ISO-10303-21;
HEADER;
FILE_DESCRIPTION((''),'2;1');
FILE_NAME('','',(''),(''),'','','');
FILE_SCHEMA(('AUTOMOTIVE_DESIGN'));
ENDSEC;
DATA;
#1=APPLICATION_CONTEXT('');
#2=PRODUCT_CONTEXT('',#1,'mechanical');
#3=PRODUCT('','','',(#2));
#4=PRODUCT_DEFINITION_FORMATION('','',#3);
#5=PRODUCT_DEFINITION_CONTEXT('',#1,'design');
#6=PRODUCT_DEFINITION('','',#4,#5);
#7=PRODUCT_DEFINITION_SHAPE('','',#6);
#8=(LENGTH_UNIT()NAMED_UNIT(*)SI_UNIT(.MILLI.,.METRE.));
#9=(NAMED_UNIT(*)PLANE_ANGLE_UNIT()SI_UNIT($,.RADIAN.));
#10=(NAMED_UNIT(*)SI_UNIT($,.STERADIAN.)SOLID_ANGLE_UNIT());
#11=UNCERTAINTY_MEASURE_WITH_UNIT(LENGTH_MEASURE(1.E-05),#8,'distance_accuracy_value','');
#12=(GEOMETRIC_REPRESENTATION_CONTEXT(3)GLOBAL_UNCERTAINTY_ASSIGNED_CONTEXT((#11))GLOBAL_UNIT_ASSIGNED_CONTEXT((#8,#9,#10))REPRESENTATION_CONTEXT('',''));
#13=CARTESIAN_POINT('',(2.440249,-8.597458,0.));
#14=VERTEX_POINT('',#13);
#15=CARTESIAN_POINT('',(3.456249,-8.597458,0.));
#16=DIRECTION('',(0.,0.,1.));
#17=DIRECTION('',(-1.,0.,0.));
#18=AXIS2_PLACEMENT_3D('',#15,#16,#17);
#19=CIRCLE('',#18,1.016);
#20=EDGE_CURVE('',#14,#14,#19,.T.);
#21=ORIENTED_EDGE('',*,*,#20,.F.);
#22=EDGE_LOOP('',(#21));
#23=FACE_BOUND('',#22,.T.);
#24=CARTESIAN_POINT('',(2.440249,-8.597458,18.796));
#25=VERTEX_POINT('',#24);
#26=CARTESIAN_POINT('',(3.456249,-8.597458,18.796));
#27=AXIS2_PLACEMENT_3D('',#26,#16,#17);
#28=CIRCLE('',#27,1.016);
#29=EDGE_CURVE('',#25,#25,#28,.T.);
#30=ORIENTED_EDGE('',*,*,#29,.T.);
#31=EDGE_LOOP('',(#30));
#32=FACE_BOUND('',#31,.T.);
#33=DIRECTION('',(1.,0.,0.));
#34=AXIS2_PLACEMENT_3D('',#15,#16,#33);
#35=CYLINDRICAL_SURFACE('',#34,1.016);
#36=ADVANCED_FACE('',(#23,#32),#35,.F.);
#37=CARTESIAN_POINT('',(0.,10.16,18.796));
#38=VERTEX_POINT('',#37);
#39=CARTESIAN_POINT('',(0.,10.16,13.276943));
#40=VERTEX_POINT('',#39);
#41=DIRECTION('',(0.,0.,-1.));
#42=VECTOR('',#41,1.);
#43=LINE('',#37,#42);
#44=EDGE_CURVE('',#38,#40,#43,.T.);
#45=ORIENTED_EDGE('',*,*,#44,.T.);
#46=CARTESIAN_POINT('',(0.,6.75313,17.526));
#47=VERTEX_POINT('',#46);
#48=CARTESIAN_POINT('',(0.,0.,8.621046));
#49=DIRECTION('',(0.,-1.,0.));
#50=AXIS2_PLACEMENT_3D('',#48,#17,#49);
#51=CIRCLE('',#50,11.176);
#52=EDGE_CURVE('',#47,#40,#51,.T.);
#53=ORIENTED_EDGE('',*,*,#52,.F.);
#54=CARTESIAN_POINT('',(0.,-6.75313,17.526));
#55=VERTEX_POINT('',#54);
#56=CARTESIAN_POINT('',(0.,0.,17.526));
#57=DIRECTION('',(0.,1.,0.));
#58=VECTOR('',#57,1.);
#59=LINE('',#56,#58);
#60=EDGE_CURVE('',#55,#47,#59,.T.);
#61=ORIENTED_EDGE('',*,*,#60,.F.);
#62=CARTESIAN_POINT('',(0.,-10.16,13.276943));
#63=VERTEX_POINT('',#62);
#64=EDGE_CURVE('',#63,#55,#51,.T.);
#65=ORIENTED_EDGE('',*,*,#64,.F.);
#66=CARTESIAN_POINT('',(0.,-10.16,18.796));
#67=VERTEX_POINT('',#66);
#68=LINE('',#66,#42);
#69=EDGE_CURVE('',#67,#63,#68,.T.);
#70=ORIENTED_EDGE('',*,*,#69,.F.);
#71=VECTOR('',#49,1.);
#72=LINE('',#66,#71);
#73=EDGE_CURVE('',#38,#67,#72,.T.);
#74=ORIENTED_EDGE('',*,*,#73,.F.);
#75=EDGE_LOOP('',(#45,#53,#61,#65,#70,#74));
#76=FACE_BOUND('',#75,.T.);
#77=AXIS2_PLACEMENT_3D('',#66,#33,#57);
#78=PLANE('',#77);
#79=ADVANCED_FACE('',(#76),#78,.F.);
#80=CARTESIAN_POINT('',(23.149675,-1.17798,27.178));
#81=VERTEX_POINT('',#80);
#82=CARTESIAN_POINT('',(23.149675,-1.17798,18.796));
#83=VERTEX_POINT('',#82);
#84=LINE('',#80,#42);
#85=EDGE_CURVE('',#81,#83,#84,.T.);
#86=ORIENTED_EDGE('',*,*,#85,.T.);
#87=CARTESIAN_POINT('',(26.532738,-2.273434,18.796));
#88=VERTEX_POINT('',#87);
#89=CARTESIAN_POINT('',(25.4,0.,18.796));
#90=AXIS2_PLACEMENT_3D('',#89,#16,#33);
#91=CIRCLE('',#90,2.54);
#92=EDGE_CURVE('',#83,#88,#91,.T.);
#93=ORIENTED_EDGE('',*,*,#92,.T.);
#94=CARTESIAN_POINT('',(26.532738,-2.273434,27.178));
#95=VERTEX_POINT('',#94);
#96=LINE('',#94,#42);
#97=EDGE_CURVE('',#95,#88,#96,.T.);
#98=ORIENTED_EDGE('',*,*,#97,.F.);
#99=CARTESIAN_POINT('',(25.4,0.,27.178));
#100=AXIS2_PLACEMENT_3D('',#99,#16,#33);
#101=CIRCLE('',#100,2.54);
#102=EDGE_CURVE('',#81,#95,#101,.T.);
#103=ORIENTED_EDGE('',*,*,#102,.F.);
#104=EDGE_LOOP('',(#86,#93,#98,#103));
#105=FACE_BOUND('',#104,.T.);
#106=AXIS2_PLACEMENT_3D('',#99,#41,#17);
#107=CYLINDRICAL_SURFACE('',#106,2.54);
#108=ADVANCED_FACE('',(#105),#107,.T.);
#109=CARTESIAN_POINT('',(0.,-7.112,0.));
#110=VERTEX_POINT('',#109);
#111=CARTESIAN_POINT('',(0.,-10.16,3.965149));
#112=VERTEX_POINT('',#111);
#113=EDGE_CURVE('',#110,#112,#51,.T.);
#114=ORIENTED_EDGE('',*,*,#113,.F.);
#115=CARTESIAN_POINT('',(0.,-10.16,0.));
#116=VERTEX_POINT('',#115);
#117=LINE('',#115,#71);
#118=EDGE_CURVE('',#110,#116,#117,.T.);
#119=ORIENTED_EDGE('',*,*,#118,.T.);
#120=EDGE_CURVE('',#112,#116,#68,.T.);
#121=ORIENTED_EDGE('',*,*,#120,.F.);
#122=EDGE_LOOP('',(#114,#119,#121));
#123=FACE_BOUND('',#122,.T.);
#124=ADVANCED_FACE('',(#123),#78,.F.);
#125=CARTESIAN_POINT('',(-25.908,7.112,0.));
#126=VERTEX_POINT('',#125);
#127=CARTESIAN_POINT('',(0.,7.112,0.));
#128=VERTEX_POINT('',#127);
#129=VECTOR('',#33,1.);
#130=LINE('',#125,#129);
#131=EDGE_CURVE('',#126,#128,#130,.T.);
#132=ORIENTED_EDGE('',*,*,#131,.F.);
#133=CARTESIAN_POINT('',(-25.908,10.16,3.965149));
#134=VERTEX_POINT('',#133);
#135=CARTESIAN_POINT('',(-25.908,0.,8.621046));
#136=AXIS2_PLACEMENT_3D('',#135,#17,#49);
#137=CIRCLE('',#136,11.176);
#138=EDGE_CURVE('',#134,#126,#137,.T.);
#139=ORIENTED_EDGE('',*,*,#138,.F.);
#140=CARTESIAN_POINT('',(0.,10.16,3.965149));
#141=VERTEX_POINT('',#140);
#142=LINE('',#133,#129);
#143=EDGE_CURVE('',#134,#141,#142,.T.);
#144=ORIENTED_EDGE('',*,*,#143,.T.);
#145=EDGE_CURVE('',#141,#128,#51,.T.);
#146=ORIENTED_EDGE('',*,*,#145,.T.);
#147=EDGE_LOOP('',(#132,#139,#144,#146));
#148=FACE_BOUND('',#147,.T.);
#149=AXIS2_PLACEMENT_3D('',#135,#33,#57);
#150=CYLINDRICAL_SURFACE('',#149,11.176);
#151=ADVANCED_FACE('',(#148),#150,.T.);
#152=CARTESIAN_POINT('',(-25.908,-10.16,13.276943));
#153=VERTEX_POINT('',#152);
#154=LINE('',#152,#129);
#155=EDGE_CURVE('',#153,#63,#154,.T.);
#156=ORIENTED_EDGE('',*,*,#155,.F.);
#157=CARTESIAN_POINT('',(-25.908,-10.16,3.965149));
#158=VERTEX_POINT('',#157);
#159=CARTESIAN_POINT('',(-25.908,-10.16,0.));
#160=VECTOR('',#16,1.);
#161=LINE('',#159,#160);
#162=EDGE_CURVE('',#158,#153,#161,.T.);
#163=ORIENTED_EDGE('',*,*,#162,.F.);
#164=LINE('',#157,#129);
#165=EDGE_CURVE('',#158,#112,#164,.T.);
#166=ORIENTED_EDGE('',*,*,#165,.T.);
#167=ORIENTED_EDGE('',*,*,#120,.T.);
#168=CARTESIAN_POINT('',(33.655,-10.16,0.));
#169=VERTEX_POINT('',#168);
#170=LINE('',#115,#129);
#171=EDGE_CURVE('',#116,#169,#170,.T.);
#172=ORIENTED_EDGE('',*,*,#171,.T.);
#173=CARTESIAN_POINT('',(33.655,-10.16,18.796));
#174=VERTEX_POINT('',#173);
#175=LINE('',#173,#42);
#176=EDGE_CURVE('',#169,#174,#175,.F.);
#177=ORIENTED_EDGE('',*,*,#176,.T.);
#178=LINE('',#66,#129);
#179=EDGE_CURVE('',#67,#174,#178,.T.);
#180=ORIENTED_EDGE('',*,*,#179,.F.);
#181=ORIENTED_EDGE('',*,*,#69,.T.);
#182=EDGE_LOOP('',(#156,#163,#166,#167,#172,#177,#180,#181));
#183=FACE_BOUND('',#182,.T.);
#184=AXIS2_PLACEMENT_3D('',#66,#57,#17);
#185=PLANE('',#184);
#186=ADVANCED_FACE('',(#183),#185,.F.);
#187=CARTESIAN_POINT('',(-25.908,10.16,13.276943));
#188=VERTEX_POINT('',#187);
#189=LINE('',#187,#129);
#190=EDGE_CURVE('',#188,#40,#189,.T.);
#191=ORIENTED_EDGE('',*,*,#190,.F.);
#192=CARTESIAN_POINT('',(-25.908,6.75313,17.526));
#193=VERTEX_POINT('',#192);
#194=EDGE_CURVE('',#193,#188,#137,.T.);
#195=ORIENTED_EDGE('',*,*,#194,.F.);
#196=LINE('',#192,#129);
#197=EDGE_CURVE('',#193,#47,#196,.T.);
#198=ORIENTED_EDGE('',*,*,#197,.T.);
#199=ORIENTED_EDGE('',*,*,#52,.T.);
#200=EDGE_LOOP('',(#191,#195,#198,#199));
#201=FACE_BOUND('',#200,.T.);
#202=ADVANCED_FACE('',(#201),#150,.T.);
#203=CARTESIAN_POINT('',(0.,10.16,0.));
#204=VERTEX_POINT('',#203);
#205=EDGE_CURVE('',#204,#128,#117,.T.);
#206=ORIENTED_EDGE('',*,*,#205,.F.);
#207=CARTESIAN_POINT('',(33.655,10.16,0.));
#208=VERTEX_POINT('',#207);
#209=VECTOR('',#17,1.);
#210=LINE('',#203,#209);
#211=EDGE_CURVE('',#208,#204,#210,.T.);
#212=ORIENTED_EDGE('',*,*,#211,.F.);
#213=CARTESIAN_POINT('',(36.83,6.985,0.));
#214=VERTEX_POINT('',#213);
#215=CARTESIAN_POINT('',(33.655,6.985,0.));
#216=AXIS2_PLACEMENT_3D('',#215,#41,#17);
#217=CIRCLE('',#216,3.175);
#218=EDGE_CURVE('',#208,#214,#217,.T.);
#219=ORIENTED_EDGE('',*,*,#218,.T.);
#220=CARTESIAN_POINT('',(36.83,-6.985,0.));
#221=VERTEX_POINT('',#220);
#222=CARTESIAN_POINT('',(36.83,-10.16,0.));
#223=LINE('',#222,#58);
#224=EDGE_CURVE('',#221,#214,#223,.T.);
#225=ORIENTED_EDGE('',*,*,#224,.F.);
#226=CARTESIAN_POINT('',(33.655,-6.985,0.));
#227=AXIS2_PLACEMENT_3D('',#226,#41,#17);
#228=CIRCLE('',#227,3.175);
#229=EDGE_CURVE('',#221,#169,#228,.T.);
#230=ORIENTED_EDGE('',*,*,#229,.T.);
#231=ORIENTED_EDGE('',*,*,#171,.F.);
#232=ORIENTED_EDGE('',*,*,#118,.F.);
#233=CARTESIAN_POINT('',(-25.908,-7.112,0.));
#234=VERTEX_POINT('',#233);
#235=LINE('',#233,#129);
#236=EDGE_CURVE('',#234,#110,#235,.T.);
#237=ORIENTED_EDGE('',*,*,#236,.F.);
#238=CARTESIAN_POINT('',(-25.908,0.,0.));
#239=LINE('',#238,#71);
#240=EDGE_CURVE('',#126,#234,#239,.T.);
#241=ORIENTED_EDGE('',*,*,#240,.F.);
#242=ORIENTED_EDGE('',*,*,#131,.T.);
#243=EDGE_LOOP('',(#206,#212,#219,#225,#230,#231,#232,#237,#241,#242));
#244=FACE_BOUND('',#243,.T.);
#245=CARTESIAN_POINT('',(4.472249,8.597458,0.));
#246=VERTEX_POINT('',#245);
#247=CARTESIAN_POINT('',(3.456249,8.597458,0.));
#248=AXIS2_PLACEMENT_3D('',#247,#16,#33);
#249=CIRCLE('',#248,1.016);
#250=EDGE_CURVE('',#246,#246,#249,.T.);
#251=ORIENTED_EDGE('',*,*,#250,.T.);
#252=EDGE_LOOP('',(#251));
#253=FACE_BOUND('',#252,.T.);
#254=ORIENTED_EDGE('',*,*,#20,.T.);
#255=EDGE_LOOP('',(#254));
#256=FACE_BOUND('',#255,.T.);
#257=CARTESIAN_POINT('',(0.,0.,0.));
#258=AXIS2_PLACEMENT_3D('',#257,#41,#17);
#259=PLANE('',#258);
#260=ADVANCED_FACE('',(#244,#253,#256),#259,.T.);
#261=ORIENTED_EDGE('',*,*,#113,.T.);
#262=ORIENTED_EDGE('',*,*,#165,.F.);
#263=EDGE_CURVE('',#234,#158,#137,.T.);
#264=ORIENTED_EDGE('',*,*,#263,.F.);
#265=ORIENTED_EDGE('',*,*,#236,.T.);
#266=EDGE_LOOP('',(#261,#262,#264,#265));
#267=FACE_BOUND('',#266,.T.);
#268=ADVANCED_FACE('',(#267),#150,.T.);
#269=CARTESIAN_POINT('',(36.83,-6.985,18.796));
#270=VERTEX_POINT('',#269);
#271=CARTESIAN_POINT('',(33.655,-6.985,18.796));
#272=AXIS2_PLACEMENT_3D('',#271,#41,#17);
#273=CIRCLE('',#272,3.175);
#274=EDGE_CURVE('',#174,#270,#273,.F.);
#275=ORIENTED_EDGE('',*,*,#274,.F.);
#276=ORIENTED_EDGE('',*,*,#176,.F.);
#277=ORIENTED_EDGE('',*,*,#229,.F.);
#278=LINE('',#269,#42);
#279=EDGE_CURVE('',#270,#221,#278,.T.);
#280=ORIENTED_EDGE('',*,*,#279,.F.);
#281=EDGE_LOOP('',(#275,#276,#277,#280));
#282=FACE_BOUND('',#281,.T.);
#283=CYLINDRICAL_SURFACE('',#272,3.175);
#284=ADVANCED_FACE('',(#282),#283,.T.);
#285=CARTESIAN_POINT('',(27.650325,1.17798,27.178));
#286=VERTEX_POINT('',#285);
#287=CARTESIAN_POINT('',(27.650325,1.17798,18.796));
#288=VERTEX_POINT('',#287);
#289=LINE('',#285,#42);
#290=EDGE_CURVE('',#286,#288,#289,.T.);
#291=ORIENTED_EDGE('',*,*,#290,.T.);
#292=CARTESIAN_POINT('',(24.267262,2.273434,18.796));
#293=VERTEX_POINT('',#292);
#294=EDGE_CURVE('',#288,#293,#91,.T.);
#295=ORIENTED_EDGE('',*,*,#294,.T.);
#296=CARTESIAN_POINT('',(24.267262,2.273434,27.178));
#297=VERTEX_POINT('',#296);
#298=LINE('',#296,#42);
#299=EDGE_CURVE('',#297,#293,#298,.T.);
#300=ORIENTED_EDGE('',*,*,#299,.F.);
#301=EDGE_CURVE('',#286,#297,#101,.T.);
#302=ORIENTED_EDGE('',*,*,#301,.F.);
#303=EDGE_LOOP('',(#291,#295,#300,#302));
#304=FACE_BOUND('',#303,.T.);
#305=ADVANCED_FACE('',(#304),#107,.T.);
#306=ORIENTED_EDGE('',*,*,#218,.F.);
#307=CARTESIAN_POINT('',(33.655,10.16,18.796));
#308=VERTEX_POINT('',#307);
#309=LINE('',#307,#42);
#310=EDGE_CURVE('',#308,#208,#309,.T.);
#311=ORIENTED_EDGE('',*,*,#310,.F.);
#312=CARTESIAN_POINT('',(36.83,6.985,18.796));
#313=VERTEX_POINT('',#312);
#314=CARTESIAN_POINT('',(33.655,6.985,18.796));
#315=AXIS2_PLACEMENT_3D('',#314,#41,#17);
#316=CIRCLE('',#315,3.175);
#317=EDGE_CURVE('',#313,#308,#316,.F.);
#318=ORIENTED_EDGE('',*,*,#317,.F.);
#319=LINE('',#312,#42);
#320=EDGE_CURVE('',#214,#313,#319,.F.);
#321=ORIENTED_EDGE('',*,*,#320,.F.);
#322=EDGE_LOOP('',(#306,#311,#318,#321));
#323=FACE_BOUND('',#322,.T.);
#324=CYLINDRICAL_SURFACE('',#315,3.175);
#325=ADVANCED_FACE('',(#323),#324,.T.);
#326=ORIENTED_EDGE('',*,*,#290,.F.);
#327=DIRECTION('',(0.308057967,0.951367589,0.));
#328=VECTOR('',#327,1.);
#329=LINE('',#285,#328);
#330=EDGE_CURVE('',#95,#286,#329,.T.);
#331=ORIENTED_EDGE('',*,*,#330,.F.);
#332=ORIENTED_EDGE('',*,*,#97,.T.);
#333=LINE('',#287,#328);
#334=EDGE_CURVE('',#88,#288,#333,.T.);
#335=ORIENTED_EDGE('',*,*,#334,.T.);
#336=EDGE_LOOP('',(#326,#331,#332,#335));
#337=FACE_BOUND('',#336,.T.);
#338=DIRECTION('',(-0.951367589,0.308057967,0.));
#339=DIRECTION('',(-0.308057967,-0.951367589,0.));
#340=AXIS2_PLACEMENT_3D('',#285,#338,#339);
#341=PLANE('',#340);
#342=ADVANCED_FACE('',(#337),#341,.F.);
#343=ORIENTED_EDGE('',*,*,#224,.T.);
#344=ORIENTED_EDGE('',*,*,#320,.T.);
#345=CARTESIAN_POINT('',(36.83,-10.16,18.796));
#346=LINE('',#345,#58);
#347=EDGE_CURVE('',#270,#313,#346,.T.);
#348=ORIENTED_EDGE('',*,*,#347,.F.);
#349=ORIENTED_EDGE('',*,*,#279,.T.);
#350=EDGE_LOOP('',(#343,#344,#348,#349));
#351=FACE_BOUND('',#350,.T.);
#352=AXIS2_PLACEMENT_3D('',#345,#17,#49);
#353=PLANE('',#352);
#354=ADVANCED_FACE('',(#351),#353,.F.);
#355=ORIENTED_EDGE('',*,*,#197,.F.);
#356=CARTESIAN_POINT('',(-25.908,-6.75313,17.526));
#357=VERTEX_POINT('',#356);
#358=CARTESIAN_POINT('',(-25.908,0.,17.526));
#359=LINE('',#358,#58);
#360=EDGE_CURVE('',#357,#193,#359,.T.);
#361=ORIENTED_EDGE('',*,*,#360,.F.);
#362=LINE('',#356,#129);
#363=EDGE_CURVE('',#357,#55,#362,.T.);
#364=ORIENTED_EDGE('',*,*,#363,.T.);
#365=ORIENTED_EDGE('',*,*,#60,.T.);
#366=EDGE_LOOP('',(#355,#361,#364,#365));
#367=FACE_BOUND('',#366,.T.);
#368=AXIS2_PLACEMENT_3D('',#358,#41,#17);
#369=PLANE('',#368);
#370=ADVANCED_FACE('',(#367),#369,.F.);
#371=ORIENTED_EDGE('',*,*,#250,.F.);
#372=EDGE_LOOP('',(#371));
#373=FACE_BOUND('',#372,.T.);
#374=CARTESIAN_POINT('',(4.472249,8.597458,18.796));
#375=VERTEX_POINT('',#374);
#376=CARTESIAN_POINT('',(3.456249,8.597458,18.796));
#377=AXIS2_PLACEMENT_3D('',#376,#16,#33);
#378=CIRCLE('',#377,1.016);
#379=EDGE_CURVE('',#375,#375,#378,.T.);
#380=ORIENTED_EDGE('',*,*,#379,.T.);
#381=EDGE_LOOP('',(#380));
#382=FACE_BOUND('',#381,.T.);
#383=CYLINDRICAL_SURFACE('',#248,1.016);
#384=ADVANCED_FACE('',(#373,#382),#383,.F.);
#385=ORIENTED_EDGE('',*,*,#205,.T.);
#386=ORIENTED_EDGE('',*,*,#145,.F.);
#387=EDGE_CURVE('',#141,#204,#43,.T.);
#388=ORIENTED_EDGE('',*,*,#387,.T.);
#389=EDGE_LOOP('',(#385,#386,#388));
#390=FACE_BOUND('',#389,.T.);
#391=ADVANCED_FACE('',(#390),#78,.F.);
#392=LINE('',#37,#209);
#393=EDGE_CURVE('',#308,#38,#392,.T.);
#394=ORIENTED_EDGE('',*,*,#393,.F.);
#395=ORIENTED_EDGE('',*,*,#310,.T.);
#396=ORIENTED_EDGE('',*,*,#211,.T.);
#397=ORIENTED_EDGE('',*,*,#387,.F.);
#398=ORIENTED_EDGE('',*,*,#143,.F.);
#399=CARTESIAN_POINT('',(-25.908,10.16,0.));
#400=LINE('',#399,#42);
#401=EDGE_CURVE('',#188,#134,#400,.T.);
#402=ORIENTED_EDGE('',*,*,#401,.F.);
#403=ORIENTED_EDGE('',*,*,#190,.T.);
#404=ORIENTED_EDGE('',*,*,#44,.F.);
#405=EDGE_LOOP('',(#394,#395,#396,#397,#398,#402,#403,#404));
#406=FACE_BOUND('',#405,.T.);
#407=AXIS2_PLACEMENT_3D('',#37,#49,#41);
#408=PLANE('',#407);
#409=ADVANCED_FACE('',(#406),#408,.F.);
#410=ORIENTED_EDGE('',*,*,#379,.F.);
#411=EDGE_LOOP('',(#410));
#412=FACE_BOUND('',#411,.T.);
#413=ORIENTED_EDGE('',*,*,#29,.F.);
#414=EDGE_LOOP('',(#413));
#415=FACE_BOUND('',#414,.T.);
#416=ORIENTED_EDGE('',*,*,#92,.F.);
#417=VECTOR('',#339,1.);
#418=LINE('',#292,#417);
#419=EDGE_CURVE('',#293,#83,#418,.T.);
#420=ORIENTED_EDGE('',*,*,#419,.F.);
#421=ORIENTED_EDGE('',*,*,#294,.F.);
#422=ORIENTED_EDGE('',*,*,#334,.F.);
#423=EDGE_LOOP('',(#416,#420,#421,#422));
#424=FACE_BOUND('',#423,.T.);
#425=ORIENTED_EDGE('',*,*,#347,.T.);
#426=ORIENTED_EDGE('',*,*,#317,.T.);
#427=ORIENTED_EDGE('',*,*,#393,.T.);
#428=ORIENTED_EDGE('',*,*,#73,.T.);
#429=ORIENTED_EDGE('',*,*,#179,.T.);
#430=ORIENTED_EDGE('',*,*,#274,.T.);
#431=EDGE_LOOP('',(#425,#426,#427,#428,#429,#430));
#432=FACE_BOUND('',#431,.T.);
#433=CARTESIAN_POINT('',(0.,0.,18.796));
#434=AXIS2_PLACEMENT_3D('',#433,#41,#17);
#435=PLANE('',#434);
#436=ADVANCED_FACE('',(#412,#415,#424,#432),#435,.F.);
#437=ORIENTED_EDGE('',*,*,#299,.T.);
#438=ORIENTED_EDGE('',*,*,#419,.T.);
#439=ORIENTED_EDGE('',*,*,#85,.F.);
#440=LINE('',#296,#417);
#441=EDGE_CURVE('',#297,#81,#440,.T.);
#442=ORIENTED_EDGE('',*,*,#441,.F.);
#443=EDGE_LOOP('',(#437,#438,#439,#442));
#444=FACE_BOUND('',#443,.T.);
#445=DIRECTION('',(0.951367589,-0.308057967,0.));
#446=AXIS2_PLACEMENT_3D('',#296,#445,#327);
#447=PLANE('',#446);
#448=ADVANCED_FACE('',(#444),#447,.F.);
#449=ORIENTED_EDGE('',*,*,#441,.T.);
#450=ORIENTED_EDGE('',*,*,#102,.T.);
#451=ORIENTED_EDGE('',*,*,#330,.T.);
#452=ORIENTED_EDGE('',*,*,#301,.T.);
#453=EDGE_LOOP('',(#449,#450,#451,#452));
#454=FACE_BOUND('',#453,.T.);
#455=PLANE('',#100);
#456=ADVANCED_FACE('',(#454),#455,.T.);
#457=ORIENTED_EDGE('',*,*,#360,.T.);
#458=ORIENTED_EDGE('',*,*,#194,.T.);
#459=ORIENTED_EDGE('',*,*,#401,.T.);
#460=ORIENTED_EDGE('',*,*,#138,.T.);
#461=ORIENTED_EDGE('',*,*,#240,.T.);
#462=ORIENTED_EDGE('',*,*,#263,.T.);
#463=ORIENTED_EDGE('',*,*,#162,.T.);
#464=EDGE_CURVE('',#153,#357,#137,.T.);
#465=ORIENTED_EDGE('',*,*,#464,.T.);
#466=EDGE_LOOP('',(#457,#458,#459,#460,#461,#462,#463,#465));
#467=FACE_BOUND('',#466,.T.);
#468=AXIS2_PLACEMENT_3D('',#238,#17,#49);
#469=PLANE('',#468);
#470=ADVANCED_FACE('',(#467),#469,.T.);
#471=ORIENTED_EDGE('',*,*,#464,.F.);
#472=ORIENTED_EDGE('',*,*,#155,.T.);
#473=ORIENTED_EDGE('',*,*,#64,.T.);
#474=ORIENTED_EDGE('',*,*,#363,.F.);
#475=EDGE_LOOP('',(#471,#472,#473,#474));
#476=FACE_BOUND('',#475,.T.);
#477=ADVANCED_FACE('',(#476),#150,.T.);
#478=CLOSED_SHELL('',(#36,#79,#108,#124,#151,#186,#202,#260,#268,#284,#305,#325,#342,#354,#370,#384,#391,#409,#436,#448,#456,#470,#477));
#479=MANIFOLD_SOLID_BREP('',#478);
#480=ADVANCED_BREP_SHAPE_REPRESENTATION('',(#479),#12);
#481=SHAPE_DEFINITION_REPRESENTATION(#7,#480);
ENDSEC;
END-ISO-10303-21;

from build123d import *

# Parameters (mm, degrees)
SKETCH1_W           = 36.83
SKETCH1_H           = 20.32
BOSS_EXTRUDE1_DEPTH = 18.796
FILLET1_R           = 3.175
BOSS_EXTRUDE2_DEPTH = 25.908
BOSS_EXTRUDE3_DEPTH = 8.382
SKETCH4_R           = 1.016
CUT_EXTRUDE1_DEPTH  = 19.796


with BuildPart() as part:
    # Sketch1 → Boss-Extrude1 (new body)
    with BuildSketch(Plane.XY):
        with Locations((18.415, 0)):
            Rectangle(SKETCH1_W, SKETCH1_H)
    extrude(amount=BOSS_EXTRUDE1_DEPTH)

    # Fillet1
    fillet1_edges = [part.edges().sort_by_distance(p)[0] for p in [
        (36.83, 10.16, 9.398),
        (36.83, -10.16, 9.398),
    ]]
    fillet(fillet1_edges, radius=FILLET1_R)

    # Sketch2 → Boss-Extrude2 (add)
    with BuildSketch(Plane.ZY):
        with BuildLine():
            ThreePointArc((3.96514897, 10.16), (1.809887501, 8.860648824), (0, 7.112))
            Line((0, 7.112), (0, -7.112))
            ThreePointArc((0, -7.112), (1.809887501, -8.860648824), (3.96514897, -10.16))
            Line((3.96514897, -10.16), (13.276942782, -10.16))
            ThreePointArc((13.276942782, -10.16), (15.61217315, -8.719352926), (17.526, -6.753130241))
            Line((17.526, -6.753130241), (17.526, 6.753130241))
            ThreePointArc((17.526, 6.753130241), (15.61217315, 8.719352926), (13.276942782, 10.16))
            Line((13.276942782, 10.16), (3.96514897, 10.16))
        make_face()
    extrude(amount=BOSS_EXTRUDE2_DEPTH)

    # Sketch3 → Boss-Extrude3 (add)
    with BuildSketch(Plane.XY.offset(18.796)):
        with BuildLine():
            Line((24.267261803, 2.273434446), (23.149675051, -1.177980315))
            ThreePointArc((23.149675051, -1.177980315), (24.617532764, -2.416473676), (26.532738197, -2.273434446))
            Line((26.532738197, -2.273434446), (27.650324949, 1.177980315))
            ThreePointArc((27.650324949, 1.177980315), (26.182467236, 2.416473676), (24.267261803, 2.273434446))
        make_face()
    extrude(amount=BOSS_EXTRUDE3_DEPTH)

    # Sketch4 → Cut-Extrude1 (cut, through all)
    with BuildSketch(Plane.XY.offset(18.796)):
        with Locations((3.456249115, 8.597457961)):
            Circle(SKETCH4_R)
        with Locations((3.456249115, -8.597457961)):
            Circle(SKETCH4_R)
    extrude(amount=-CUT_EXTRUDE1_DEPTH, mode=Mode.SUBTRACT)


solid = part.part
